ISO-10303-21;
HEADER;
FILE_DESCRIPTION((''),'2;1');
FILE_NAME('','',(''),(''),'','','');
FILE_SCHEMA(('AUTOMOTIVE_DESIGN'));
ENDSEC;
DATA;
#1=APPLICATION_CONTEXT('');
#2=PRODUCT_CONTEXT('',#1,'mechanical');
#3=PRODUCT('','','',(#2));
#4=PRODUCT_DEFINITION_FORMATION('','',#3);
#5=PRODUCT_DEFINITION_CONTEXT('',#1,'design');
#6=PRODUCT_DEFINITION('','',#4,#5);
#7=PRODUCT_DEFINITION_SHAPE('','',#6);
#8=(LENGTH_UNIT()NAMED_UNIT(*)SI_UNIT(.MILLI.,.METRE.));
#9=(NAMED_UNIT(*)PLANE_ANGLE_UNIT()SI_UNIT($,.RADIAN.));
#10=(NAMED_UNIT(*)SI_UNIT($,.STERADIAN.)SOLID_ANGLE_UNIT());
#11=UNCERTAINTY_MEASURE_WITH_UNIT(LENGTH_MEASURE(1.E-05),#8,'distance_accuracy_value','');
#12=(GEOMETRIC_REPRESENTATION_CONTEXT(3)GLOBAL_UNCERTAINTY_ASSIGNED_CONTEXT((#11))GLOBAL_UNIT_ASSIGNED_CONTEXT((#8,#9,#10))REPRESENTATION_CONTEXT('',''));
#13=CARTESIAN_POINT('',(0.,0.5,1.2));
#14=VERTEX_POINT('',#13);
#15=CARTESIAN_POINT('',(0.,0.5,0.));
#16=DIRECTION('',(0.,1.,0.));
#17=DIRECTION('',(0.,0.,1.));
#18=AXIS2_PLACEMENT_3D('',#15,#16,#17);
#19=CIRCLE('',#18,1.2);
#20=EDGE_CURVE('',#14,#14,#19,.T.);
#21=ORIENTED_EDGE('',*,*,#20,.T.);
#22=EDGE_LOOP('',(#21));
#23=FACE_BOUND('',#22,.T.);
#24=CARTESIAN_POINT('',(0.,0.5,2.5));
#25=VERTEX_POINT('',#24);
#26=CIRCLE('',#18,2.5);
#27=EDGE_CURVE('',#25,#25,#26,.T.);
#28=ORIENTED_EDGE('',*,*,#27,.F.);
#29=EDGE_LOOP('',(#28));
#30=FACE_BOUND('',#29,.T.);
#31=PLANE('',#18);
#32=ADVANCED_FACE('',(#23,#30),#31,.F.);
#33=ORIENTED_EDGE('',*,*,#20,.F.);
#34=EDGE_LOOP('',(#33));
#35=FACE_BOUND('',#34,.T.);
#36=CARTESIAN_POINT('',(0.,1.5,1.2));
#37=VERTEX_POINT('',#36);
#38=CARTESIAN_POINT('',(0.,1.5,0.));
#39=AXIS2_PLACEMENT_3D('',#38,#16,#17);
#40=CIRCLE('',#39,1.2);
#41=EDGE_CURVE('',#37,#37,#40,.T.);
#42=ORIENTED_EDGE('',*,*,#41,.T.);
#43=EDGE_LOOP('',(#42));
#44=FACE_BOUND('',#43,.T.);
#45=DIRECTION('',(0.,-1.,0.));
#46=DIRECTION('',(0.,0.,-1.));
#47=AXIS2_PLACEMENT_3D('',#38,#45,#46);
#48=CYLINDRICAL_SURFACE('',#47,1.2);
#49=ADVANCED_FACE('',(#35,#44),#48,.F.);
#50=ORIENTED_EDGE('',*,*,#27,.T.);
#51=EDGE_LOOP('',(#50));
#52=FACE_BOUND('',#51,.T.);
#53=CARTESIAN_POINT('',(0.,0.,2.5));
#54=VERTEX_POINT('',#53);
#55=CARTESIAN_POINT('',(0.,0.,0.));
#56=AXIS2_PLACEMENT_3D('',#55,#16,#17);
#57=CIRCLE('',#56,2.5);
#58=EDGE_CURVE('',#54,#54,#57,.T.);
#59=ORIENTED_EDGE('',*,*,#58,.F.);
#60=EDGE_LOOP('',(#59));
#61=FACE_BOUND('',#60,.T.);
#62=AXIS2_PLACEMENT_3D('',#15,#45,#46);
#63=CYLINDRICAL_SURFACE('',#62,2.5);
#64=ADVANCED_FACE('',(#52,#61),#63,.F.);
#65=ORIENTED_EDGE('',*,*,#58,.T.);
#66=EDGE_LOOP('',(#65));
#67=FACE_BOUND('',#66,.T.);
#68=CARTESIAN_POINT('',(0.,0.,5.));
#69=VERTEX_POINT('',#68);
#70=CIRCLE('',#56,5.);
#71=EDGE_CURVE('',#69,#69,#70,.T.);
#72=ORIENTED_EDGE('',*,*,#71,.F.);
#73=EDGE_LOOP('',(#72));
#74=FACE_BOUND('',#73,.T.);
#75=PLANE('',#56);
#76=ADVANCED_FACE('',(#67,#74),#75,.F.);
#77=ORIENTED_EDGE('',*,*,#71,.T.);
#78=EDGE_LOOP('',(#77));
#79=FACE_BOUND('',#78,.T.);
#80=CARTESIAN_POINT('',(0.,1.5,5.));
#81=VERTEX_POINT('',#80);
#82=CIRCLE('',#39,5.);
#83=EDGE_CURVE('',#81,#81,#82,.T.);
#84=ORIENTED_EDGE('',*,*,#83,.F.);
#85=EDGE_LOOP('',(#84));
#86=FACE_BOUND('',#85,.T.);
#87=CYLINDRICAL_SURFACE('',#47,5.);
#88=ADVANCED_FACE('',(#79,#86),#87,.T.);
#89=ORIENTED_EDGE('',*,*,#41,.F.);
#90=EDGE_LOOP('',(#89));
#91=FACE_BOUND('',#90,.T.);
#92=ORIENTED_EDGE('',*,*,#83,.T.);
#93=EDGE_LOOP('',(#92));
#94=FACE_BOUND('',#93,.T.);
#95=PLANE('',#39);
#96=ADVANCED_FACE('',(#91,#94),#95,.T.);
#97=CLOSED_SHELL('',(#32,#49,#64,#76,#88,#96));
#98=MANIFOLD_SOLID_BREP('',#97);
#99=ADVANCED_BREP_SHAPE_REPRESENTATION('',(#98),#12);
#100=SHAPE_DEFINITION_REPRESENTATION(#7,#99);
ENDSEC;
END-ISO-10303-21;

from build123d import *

# Parameters (mm, degrees)
SKETCH1_R           = 5
SKETCH1_R_2         = 1.2
BOSS_EXTRUDE1_DEPTH = 1.5
SKETCH1_3_R         = 2.5
SKETCH1_3_R_2       = 1.2
CUT_EXTRUDE1_DEPTH  = 0.5


with BuildPart() as part:
    # Sketch1 → Boss-Extrude1 (new body)
    with BuildSketch(Plane(origin=(0, 0, 0), x_dir=(1, 0, 0), z_dir=(0, 1, 0))):
        Circle(SKETCH1_R)
        Circle(SKETCH1_R_2, mode=Mode.SUBTRACT)
    extrude(amount=BOSS_EXTRUDE1_DEPTH)

    # Sketch1<3> → Cut-Extrude1 (cut)
    with BuildSketch(Plane(origin=(0, 0, 0), x_dir=(1, 0, 0), z_dir=(0, 1, 0))):
        Circle(SKETCH1_3_R)
        Circle(SKETCH1_3_R_2, mode=Mode.SUBTRACT)
    extrude(amount=CUT_EXTRUDE1_DEPTH, mode=Mode.SUBTRACT)


solid = part.part
